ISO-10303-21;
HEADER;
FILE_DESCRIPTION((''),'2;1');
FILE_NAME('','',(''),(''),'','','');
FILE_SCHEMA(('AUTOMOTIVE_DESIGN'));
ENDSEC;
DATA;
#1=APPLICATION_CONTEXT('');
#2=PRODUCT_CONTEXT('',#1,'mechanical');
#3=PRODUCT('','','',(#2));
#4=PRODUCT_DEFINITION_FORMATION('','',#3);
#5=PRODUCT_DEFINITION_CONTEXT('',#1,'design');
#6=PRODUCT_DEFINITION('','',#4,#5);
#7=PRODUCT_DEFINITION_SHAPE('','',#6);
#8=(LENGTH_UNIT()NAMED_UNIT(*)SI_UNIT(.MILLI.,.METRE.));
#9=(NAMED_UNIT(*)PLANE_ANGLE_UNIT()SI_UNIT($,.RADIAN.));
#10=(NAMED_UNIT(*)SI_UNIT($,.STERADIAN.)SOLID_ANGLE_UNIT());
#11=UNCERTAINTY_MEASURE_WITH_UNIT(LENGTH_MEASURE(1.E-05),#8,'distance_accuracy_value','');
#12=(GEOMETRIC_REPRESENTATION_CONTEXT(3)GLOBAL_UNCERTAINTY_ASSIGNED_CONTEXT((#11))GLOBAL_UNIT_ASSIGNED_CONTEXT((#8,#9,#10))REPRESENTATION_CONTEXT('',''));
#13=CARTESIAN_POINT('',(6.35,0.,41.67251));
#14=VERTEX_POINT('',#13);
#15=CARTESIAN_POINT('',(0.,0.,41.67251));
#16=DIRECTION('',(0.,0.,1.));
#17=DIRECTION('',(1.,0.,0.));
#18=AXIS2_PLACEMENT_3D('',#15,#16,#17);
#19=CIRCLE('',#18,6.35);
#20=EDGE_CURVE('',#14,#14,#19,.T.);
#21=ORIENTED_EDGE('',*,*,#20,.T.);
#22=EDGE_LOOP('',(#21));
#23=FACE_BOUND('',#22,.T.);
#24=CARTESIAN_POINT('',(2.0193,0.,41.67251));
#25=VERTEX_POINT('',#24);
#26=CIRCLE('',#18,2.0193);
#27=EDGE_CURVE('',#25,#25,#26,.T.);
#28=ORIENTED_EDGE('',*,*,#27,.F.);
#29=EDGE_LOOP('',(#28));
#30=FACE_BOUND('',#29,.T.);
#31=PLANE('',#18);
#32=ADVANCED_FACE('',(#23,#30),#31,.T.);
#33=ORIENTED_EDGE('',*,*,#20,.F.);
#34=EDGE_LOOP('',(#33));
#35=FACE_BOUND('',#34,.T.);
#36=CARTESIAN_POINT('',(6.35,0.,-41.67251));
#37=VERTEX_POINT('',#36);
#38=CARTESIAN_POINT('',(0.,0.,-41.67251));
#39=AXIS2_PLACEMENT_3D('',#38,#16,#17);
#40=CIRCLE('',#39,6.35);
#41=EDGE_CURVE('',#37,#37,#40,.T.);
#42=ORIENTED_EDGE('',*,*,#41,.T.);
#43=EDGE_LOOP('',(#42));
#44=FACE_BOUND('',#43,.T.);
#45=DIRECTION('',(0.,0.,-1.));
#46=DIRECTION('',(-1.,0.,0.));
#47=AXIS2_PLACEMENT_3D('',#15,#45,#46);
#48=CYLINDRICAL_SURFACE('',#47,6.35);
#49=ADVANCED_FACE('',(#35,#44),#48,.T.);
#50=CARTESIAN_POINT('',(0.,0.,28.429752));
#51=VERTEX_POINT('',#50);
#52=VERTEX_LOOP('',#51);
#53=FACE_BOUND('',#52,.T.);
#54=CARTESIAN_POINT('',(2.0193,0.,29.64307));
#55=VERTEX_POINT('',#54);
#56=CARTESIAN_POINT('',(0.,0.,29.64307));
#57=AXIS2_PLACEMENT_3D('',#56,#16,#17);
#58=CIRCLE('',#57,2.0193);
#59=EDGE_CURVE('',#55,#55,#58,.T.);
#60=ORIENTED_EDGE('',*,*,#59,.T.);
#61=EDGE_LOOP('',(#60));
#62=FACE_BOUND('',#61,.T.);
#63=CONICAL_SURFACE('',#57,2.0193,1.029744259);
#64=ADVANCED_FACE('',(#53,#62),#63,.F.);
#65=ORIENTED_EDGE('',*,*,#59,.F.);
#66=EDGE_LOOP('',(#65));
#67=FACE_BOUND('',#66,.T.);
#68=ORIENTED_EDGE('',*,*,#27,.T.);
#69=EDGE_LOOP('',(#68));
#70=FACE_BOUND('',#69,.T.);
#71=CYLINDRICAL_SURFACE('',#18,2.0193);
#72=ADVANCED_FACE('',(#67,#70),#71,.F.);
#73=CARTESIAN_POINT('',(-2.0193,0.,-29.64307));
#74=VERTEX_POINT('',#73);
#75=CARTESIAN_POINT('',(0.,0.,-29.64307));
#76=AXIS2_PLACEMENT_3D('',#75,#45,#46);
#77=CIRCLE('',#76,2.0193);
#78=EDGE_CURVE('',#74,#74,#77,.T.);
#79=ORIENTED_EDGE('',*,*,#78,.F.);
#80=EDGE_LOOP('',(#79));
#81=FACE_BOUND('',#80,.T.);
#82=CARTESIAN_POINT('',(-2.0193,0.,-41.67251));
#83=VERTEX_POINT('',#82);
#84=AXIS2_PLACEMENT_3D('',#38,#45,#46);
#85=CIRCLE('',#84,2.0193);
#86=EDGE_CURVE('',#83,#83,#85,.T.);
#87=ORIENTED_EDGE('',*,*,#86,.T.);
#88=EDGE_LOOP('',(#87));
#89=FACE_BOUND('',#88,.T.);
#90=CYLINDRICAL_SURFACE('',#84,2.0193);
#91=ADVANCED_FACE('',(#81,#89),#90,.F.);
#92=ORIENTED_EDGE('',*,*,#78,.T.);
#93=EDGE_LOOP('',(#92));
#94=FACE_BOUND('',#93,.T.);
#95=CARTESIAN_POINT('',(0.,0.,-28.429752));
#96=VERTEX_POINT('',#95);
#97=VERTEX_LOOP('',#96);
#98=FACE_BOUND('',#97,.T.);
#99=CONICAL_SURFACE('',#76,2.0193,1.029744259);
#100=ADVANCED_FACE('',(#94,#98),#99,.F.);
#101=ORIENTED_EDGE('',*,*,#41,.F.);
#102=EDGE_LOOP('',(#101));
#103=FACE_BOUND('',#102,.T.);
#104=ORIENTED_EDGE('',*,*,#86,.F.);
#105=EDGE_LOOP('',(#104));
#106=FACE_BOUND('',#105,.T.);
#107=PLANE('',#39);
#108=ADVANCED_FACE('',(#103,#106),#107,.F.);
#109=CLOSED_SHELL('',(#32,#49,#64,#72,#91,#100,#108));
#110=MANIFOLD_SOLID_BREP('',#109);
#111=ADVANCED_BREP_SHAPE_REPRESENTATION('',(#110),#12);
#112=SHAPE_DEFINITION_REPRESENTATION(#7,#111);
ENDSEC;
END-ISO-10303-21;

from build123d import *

# Parameters (mm, degrees)
SKETCH1_R                            = 6.35
BOSS_EXTRUDE1_DEPTH                  = 41.67251
F_10_32_TAPPED_HOLE1_D               = 4.0386
F_10_32_TAPPED_HOLE1_DEPTH           = 12.02944
F_10_32_TAPPED_HOLE1_TIP             = 1.213317848
F_10_32_TAPPED_HOLE1_ON_FACE_2_D     = 4.0386
F_10_32_TAPPED_HOLE1_ON_FACE_2_DEPTH = 12.02944
F_10_32_TAPPED_HOLE1_ON_FACE_2_TIP   = 1.213317848


with BuildPart() as part:
    # Sketch1 → Boss-Extrude1 (new, symmetric)
    with BuildSketch(Plane.XY):
        Circle(SKETCH1_R)
    extrude(amount=BOSS_EXTRUDE1_DEPTH, both=True)

    # #10-32 Tapped Hole1
    with Locations(Plane(origin=(0, 0, -41.67251), x_dir=(-1, 0, 0), z_dir=(0, 0, -1))):
        with Locations((0, 0)):
            Hole(F_10_32_TAPPED_HOLE1_D / 2, depth=F_10_32_TAPPED_HOLE1_DEPTH)
            with Locations((0, 0, -(F_10_32_TAPPED_HOLE1_DEPTH + F_10_32_TAPPED_HOLE1_TIP / 2))):  # 118° drill point
                Cone(0, F_10_32_TAPPED_HOLE1_D / 2, F_10_32_TAPPED_HOLE1_TIP, mode=Mode.SUBTRACT)

    # #10-32 Tapped Hole1 on face 2
    with Locations(Plane.XY.offset(41.67251)):
        with Locations((0, 0)):
            Hole(F_10_32_TAPPED_HOLE1_ON_FACE_2_D / 2, depth=F_10_32_TAPPED_HOLE1_ON_FACE_2_DEPTH)
            with Locations((0, 0, -(F_10_32_TAPPED_HOLE1_ON_FACE_2_DEPTH + F_10_32_TAPPED_HOLE1_ON_FACE_2_TIP / 2))):  # 118° drill point
                Cone(0, F_10_32_TAPPED_HOLE1_ON_FACE_2_D / 2, F_10_32_TAPPED_HOLE1_ON_FACE_2_TIP, mode=Mode.SUBTRACT)


solid = part.part
